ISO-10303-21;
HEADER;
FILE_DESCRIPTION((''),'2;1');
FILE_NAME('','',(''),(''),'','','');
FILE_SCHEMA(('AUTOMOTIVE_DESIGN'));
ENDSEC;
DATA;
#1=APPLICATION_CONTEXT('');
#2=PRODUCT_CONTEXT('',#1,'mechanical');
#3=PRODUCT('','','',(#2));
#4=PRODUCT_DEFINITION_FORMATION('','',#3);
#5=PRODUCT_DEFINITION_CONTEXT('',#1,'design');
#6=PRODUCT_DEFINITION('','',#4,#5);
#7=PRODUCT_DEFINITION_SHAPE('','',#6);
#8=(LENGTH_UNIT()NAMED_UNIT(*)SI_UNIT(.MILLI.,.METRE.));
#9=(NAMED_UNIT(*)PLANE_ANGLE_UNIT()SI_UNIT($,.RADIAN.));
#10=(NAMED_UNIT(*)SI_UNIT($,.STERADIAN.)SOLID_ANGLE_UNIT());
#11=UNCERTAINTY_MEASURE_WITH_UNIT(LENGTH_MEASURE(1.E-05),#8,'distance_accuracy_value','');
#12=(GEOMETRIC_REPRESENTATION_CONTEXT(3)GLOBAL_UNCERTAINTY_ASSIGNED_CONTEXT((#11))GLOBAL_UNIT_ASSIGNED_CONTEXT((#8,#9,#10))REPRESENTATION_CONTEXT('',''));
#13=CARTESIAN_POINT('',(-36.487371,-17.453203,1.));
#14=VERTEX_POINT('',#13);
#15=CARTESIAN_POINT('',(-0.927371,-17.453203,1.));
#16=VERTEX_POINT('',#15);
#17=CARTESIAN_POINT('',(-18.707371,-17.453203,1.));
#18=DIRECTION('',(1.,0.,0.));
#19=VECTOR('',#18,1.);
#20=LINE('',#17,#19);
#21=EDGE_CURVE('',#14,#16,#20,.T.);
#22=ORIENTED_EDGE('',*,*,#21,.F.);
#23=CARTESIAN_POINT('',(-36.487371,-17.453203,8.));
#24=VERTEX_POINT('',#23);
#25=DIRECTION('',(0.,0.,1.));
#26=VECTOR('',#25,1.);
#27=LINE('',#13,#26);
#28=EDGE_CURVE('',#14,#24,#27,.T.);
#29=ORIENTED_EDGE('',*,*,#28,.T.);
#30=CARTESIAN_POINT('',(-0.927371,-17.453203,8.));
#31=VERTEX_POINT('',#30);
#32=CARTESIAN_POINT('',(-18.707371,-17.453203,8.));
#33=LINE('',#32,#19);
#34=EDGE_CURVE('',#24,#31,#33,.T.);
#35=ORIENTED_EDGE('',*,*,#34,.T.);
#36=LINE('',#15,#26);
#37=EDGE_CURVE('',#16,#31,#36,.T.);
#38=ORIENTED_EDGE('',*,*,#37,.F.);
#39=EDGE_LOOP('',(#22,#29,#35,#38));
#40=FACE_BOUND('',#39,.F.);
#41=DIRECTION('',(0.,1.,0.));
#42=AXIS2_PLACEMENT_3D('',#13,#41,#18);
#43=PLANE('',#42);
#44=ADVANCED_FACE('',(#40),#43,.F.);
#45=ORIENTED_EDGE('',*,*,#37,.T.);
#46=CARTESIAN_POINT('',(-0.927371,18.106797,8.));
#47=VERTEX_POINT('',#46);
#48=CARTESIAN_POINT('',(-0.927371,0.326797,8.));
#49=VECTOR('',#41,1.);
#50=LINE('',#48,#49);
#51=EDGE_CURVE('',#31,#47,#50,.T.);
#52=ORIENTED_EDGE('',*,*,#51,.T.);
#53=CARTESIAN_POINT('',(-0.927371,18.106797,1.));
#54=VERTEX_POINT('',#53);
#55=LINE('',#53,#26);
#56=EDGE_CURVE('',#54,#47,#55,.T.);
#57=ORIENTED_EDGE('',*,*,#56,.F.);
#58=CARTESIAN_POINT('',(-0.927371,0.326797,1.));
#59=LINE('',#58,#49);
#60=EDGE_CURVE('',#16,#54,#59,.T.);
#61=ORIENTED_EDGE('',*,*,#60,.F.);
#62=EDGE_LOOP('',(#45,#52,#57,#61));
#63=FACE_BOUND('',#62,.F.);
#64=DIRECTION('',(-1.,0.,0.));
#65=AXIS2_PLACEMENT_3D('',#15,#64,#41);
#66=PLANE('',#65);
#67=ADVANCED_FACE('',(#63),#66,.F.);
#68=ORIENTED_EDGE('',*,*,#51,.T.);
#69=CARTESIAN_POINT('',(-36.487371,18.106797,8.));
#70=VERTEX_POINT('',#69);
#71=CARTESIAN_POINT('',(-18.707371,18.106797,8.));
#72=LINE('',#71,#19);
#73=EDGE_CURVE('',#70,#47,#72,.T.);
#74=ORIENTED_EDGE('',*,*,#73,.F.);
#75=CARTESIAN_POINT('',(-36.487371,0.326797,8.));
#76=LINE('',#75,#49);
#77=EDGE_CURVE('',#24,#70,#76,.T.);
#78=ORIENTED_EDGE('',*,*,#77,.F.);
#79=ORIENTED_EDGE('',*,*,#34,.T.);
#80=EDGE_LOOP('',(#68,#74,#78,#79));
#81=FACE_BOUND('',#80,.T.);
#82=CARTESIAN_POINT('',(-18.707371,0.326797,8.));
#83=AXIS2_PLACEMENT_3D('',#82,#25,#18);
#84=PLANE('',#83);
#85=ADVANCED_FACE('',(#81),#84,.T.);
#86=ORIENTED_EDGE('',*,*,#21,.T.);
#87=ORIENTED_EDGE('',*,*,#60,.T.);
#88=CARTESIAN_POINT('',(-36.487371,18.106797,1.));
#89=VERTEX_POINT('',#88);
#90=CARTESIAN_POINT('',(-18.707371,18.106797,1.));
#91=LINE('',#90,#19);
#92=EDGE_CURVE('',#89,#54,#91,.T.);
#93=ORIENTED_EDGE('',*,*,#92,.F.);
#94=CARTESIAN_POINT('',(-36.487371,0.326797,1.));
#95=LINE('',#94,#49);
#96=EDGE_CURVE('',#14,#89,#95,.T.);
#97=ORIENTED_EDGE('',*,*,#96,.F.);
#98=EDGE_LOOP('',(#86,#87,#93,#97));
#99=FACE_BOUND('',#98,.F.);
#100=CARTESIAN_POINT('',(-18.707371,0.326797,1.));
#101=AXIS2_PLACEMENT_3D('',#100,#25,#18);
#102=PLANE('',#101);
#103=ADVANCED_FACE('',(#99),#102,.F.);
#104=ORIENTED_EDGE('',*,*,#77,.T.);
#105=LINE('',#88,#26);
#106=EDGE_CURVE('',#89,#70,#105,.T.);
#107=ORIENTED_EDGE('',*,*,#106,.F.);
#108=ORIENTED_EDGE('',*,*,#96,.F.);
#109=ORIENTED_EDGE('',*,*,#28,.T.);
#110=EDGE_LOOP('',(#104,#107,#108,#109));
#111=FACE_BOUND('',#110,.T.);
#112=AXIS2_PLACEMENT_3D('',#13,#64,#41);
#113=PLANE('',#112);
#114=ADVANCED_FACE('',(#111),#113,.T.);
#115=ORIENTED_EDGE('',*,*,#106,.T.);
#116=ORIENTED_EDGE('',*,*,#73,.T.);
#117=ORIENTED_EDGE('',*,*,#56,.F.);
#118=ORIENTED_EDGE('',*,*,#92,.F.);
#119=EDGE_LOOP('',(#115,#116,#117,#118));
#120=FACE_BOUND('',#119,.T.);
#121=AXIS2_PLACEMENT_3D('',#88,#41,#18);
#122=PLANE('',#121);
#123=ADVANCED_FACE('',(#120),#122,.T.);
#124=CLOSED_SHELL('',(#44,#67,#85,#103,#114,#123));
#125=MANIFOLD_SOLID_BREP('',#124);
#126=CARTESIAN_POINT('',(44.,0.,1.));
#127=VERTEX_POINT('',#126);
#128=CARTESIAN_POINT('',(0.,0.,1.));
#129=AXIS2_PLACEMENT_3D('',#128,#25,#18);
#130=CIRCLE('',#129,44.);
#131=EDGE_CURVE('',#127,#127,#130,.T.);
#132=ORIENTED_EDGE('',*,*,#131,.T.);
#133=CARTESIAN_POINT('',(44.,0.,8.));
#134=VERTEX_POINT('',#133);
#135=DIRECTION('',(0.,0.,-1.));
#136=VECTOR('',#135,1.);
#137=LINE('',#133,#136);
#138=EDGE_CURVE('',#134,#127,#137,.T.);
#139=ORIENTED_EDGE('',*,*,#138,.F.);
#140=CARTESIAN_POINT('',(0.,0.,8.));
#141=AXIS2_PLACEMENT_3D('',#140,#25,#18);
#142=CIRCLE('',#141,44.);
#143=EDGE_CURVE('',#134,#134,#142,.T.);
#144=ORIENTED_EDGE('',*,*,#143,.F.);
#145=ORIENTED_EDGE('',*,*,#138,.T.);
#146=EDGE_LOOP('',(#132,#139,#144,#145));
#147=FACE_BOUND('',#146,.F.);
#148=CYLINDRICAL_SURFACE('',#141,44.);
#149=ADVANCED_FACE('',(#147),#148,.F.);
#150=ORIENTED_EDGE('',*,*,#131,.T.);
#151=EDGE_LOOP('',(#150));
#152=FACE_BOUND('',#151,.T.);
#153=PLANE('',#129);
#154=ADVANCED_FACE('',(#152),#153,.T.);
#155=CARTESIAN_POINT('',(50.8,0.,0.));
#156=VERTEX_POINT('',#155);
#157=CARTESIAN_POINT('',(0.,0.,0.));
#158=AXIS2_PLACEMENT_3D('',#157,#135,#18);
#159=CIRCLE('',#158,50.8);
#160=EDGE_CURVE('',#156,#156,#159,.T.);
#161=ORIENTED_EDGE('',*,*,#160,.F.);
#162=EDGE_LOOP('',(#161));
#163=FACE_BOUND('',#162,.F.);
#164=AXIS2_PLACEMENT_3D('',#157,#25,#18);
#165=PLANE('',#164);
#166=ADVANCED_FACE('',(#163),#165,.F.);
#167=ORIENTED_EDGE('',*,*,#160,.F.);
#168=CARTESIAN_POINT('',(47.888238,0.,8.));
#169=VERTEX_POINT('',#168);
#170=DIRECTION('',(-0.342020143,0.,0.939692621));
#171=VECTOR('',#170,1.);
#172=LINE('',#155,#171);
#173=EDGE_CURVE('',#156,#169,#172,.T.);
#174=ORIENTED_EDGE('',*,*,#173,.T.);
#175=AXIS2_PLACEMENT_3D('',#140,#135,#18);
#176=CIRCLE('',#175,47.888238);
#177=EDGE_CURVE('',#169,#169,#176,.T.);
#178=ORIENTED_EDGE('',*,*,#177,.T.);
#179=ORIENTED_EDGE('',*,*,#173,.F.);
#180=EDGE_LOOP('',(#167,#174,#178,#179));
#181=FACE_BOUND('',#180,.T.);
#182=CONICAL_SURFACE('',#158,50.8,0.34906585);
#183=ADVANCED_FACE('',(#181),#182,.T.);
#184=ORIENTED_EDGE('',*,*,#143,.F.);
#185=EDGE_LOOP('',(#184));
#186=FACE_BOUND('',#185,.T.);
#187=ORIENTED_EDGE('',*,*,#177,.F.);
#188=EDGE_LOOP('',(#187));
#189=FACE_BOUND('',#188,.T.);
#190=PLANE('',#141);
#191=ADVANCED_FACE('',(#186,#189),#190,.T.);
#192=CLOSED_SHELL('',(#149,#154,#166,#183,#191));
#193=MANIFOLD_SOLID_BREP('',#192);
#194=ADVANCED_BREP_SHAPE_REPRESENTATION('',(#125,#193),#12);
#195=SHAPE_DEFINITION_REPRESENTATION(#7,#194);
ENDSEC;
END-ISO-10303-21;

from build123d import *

# Parameters (mm, degrees)
F0_R     = 50.8
F1_DEPTH = 8
F1_TAPER = 20
F2_R     = 44
F3_DEPTH = 7
F4_W     = 35.56
F4_H     = 35.56
F5_DEPTH = 7
F7_R     = 2.158544492
F8_DEPTH = 25.4


with BuildPart() as f1:
    # F0 (on Top) → F1 (new body)
    with BuildSketch(Plane.XY):
        Circle(F0_R)
    extrude(amount=F1_DEPTH, taper=F1_TAPER)

    # F2 (on face) → F3 (cut)
    with BuildSketch(Plane.XY.offset(8)):
        Circle(F2_R)
    extrude(amount=-F3_DEPTH, mode=Mode.SUBTRACT)

    # F7 (on offset) → F8 (cut)
    with BuildSketch(Plane.YZ.offset(40)):
        with Locations((0, 5.6122122332)):
            Circle(F7_R)
    extrude(amount=-F8_DEPTH, mode=Mode.SUBTRACT)


with BuildPart() as f5:
    # F4 (on face) → F5 (new body)
    with BuildSketch(Plane.XY.offset(1)):
        with Locations((-18.7073708512, 0.3267968753)):
            Rectangle(F4_W, F4_H)
    extrude(amount=F5_DEPTH)


solid = Compound([f1.part, f5.part])
